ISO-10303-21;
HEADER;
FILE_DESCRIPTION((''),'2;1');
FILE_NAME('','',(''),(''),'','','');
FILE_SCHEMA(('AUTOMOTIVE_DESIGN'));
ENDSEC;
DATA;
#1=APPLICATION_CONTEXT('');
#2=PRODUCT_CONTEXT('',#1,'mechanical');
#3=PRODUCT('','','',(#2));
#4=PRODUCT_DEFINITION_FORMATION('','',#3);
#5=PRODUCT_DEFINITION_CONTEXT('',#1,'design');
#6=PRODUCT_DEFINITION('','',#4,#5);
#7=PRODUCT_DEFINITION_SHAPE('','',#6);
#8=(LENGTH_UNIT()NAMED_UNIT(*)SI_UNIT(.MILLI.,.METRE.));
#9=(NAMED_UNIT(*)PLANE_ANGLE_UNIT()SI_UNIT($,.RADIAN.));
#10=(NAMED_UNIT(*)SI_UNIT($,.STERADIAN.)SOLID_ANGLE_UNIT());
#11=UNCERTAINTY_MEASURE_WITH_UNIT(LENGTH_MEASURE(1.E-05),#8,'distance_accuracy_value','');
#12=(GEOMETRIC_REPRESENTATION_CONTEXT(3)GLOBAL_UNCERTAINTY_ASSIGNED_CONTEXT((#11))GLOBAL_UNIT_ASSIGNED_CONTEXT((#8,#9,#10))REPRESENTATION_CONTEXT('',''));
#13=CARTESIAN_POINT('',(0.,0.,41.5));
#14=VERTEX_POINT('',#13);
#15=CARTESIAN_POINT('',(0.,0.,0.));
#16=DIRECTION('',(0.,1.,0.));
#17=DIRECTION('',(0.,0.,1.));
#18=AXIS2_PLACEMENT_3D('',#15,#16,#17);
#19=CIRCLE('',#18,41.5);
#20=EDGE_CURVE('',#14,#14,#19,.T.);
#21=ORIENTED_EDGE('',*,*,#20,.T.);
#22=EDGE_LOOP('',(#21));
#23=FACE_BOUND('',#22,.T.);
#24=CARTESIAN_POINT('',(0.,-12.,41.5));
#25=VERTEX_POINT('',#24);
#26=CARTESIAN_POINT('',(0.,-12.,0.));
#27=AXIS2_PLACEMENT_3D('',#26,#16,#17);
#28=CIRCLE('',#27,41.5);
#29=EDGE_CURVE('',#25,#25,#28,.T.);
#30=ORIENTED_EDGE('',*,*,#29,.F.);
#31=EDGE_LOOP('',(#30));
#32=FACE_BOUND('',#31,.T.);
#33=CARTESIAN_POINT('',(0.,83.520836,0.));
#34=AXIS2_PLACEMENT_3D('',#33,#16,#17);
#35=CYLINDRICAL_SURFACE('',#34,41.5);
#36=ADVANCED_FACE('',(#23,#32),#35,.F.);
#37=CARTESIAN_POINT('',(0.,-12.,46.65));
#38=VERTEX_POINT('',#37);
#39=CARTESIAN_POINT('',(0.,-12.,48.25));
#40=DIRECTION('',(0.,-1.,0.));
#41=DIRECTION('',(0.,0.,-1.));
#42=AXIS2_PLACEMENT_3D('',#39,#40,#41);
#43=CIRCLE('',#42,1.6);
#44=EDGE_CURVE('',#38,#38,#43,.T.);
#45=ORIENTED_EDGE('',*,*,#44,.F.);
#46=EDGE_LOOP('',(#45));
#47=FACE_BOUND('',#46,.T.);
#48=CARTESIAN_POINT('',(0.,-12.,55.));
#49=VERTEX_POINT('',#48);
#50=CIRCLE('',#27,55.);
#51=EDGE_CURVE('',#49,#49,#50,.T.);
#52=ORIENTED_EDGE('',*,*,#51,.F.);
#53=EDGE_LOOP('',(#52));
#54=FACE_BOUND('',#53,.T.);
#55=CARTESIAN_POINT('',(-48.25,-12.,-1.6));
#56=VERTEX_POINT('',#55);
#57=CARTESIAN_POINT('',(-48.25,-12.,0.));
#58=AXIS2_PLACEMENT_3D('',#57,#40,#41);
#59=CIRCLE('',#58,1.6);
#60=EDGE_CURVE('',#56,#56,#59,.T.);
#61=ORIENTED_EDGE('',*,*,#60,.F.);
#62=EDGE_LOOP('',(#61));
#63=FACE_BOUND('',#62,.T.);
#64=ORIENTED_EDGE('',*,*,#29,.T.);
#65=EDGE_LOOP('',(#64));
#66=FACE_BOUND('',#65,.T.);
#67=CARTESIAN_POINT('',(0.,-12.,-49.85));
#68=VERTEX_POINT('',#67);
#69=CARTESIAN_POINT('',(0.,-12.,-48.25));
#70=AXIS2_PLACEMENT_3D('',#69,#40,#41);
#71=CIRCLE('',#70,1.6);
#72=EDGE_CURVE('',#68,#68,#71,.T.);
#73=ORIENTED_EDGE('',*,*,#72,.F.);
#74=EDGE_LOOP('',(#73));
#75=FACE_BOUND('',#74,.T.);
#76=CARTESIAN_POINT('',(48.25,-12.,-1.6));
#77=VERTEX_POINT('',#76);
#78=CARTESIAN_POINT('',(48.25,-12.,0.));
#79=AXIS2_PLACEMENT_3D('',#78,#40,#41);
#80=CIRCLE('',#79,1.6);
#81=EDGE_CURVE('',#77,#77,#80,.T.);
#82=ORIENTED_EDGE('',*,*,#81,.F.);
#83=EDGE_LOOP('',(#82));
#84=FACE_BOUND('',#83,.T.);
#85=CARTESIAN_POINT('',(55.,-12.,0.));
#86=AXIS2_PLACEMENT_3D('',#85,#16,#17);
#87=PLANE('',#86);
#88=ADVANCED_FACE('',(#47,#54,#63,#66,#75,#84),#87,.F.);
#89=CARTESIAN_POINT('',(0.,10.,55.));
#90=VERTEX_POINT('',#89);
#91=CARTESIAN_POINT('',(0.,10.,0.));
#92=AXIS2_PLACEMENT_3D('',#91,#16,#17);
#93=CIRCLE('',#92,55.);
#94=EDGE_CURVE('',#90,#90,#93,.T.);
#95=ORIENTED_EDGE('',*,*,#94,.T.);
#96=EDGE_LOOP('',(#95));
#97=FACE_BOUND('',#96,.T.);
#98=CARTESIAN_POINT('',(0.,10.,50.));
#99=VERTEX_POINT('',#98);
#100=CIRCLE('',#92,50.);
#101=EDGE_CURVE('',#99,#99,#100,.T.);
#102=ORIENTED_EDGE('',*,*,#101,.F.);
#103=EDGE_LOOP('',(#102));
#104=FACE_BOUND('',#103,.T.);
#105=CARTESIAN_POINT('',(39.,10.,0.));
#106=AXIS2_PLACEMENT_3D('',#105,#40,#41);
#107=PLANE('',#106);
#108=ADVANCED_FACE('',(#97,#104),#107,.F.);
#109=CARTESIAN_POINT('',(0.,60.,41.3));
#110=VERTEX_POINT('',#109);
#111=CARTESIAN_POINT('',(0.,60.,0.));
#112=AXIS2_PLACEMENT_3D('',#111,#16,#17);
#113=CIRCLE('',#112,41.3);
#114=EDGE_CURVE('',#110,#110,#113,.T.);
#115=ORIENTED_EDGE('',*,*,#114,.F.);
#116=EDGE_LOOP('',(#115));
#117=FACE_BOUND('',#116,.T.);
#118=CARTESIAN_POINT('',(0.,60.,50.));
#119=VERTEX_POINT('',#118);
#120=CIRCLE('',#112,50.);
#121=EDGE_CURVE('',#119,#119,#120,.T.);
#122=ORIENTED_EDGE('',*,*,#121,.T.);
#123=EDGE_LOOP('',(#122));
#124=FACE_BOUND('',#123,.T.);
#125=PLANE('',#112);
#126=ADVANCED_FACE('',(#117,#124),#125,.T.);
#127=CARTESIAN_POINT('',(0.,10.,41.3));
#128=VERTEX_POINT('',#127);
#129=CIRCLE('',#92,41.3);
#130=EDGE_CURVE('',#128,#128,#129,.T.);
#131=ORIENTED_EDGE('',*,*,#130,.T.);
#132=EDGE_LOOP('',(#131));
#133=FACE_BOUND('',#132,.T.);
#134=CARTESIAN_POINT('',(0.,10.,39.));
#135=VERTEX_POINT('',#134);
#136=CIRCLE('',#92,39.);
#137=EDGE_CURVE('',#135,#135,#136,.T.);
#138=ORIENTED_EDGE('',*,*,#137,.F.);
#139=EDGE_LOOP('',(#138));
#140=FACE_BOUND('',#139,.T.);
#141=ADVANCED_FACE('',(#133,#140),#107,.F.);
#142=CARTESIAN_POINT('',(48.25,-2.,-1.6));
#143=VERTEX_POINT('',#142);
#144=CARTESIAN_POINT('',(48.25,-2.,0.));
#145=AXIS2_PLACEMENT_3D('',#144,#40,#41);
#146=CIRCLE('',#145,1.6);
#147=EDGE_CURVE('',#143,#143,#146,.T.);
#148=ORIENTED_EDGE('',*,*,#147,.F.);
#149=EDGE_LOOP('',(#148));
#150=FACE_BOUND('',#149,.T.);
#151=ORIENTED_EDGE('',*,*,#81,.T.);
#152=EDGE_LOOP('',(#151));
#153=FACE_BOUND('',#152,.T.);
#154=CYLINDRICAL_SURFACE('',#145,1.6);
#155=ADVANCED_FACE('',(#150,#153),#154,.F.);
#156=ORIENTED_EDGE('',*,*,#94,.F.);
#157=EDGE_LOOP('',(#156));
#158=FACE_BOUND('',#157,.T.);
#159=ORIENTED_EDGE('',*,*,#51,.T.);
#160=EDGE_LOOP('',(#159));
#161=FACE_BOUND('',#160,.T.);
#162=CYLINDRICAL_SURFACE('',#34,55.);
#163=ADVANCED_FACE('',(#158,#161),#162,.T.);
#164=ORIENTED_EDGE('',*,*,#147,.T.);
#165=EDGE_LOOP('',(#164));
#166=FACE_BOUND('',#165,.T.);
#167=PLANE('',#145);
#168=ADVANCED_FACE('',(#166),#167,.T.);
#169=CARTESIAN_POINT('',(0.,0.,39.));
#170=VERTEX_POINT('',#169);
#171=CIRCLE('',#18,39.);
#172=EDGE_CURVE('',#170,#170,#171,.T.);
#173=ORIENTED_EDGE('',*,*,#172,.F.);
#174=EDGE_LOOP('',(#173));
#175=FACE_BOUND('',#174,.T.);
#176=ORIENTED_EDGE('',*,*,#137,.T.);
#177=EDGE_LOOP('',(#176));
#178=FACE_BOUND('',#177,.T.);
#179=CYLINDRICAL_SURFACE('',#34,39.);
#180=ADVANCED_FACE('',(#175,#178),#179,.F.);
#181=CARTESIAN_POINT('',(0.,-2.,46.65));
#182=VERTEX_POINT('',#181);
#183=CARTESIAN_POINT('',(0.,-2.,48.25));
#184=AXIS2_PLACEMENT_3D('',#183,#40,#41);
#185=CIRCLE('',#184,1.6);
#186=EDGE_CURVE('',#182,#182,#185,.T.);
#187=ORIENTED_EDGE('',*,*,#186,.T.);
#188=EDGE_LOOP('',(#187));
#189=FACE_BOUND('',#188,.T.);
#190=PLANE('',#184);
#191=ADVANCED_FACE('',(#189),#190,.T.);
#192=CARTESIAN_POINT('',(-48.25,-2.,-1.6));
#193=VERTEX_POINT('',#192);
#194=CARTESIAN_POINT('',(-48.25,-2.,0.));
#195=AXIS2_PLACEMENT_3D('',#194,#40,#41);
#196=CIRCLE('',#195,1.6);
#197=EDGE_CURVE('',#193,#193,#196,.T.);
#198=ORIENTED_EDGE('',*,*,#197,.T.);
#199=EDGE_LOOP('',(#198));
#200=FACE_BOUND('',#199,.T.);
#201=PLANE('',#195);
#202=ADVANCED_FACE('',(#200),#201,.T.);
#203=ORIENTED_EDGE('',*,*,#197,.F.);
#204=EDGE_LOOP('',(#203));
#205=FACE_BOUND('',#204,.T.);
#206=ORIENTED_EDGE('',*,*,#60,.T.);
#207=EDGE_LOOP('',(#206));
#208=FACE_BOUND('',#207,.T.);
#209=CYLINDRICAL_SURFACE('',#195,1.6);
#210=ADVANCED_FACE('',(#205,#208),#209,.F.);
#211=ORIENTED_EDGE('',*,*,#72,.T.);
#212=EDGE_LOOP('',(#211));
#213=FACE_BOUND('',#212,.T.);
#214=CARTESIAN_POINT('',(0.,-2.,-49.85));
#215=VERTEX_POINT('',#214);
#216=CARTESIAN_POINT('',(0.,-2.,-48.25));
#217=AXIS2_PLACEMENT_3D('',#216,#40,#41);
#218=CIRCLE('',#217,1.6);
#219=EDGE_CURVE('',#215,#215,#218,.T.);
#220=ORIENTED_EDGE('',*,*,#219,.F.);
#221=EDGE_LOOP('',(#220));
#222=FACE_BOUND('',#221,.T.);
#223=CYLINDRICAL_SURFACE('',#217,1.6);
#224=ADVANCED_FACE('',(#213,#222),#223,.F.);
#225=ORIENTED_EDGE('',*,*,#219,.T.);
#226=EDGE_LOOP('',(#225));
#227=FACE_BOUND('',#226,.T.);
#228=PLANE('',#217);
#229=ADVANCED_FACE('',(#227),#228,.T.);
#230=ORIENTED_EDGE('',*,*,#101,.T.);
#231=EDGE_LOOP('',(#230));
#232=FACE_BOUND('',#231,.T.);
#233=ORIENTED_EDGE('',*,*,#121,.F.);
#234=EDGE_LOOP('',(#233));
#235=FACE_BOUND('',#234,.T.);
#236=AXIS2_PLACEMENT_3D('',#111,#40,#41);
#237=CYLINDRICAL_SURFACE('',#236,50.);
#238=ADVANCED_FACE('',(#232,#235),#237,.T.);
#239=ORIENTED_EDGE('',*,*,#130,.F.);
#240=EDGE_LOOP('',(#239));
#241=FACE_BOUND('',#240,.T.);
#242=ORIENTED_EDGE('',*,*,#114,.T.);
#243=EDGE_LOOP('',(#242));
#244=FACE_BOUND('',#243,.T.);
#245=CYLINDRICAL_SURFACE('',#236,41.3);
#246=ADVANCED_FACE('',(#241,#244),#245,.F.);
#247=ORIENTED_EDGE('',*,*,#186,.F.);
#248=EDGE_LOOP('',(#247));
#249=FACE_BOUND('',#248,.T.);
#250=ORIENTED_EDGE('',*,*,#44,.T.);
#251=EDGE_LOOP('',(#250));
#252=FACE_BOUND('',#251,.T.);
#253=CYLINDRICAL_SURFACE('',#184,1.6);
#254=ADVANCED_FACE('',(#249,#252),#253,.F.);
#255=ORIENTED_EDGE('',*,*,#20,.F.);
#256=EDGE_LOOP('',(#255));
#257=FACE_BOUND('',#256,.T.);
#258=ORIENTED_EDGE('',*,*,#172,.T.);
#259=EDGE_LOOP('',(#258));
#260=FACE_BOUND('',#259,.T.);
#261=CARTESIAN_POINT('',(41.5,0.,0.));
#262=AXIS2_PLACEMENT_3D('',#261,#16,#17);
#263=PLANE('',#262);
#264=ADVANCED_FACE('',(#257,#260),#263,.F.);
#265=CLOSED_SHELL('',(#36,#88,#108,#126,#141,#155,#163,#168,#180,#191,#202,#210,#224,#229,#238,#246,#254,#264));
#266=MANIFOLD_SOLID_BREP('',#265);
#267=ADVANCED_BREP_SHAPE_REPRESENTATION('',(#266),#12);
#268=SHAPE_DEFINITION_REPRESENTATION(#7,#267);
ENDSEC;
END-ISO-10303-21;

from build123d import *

# Parameters (mm, degrees)
SKETCH4_R           = 50
SKETCH4_R_2         = 41.3
BOSS_EXTRUDE1_DEPTH = 50
SKETCH3_R           = 1.6
CUT_EXTRUDE1_DEPTH  = 10


with BuildPart() as part:
    # Sketch1 → Revolve1 (revolve)
    with BuildSketch(Plane.XY, mode=Mode.PRIVATE) as revolve1_sk:
        Polygon((39, 0), (39, 10), (55, 10), (55, -12), (41.5, -12), (41.5, 0), align=None)
    revolve(revolve1_sk.sketch.rotate(Axis((0, 83.520836207, 0), (0, -1, 0)), 90), axis=Axis((0, 83.520836207, 0), (0, -1, 0)))

    # Sketch4 → Boss-Extrude1 (add)
    with BuildSketch(Plane(origin=(0, 10, 0), x_dir=(1, 0, 0), z_dir=(0, 1, 0))):
        with Locations(Location((0, 0, 0), (0, 0, 270))):
            Circle(SKETCH4_R)
        with Locations(Location((0, 0, 0), (0, 0, 270))):
            Circle(SKETCH4_R_2, mode=Mode.SUBTRACT)
    extrude(amount=BOSS_EXTRUDE1_DEPTH)

    # Sketch3 → Cut-Extrude1 (cut)
    with BuildSketch(Plane.XZ.offset(12)):
        with Locations(Location((0, 48.25, 0), (0, 0, 270))):
            Circle(SKETCH3_R)
        with Locations(Location((48.25, 0, 0), (0, 0, 270))):
            Circle(SKETCH3_R)
        with Locations(Location((0, -48.25, 0), (0, 0, 270))):
            Circle(SKETCH3_R)
        with Locations(Location((-48.25, 0, 0), (0, 0, 270))):
            Circle(SKETCH3_R)
    extrude(amount=-CUT_EXTRUDE1_DEPTH, mode=Mode.SUBTRACT)


solid = part.part
